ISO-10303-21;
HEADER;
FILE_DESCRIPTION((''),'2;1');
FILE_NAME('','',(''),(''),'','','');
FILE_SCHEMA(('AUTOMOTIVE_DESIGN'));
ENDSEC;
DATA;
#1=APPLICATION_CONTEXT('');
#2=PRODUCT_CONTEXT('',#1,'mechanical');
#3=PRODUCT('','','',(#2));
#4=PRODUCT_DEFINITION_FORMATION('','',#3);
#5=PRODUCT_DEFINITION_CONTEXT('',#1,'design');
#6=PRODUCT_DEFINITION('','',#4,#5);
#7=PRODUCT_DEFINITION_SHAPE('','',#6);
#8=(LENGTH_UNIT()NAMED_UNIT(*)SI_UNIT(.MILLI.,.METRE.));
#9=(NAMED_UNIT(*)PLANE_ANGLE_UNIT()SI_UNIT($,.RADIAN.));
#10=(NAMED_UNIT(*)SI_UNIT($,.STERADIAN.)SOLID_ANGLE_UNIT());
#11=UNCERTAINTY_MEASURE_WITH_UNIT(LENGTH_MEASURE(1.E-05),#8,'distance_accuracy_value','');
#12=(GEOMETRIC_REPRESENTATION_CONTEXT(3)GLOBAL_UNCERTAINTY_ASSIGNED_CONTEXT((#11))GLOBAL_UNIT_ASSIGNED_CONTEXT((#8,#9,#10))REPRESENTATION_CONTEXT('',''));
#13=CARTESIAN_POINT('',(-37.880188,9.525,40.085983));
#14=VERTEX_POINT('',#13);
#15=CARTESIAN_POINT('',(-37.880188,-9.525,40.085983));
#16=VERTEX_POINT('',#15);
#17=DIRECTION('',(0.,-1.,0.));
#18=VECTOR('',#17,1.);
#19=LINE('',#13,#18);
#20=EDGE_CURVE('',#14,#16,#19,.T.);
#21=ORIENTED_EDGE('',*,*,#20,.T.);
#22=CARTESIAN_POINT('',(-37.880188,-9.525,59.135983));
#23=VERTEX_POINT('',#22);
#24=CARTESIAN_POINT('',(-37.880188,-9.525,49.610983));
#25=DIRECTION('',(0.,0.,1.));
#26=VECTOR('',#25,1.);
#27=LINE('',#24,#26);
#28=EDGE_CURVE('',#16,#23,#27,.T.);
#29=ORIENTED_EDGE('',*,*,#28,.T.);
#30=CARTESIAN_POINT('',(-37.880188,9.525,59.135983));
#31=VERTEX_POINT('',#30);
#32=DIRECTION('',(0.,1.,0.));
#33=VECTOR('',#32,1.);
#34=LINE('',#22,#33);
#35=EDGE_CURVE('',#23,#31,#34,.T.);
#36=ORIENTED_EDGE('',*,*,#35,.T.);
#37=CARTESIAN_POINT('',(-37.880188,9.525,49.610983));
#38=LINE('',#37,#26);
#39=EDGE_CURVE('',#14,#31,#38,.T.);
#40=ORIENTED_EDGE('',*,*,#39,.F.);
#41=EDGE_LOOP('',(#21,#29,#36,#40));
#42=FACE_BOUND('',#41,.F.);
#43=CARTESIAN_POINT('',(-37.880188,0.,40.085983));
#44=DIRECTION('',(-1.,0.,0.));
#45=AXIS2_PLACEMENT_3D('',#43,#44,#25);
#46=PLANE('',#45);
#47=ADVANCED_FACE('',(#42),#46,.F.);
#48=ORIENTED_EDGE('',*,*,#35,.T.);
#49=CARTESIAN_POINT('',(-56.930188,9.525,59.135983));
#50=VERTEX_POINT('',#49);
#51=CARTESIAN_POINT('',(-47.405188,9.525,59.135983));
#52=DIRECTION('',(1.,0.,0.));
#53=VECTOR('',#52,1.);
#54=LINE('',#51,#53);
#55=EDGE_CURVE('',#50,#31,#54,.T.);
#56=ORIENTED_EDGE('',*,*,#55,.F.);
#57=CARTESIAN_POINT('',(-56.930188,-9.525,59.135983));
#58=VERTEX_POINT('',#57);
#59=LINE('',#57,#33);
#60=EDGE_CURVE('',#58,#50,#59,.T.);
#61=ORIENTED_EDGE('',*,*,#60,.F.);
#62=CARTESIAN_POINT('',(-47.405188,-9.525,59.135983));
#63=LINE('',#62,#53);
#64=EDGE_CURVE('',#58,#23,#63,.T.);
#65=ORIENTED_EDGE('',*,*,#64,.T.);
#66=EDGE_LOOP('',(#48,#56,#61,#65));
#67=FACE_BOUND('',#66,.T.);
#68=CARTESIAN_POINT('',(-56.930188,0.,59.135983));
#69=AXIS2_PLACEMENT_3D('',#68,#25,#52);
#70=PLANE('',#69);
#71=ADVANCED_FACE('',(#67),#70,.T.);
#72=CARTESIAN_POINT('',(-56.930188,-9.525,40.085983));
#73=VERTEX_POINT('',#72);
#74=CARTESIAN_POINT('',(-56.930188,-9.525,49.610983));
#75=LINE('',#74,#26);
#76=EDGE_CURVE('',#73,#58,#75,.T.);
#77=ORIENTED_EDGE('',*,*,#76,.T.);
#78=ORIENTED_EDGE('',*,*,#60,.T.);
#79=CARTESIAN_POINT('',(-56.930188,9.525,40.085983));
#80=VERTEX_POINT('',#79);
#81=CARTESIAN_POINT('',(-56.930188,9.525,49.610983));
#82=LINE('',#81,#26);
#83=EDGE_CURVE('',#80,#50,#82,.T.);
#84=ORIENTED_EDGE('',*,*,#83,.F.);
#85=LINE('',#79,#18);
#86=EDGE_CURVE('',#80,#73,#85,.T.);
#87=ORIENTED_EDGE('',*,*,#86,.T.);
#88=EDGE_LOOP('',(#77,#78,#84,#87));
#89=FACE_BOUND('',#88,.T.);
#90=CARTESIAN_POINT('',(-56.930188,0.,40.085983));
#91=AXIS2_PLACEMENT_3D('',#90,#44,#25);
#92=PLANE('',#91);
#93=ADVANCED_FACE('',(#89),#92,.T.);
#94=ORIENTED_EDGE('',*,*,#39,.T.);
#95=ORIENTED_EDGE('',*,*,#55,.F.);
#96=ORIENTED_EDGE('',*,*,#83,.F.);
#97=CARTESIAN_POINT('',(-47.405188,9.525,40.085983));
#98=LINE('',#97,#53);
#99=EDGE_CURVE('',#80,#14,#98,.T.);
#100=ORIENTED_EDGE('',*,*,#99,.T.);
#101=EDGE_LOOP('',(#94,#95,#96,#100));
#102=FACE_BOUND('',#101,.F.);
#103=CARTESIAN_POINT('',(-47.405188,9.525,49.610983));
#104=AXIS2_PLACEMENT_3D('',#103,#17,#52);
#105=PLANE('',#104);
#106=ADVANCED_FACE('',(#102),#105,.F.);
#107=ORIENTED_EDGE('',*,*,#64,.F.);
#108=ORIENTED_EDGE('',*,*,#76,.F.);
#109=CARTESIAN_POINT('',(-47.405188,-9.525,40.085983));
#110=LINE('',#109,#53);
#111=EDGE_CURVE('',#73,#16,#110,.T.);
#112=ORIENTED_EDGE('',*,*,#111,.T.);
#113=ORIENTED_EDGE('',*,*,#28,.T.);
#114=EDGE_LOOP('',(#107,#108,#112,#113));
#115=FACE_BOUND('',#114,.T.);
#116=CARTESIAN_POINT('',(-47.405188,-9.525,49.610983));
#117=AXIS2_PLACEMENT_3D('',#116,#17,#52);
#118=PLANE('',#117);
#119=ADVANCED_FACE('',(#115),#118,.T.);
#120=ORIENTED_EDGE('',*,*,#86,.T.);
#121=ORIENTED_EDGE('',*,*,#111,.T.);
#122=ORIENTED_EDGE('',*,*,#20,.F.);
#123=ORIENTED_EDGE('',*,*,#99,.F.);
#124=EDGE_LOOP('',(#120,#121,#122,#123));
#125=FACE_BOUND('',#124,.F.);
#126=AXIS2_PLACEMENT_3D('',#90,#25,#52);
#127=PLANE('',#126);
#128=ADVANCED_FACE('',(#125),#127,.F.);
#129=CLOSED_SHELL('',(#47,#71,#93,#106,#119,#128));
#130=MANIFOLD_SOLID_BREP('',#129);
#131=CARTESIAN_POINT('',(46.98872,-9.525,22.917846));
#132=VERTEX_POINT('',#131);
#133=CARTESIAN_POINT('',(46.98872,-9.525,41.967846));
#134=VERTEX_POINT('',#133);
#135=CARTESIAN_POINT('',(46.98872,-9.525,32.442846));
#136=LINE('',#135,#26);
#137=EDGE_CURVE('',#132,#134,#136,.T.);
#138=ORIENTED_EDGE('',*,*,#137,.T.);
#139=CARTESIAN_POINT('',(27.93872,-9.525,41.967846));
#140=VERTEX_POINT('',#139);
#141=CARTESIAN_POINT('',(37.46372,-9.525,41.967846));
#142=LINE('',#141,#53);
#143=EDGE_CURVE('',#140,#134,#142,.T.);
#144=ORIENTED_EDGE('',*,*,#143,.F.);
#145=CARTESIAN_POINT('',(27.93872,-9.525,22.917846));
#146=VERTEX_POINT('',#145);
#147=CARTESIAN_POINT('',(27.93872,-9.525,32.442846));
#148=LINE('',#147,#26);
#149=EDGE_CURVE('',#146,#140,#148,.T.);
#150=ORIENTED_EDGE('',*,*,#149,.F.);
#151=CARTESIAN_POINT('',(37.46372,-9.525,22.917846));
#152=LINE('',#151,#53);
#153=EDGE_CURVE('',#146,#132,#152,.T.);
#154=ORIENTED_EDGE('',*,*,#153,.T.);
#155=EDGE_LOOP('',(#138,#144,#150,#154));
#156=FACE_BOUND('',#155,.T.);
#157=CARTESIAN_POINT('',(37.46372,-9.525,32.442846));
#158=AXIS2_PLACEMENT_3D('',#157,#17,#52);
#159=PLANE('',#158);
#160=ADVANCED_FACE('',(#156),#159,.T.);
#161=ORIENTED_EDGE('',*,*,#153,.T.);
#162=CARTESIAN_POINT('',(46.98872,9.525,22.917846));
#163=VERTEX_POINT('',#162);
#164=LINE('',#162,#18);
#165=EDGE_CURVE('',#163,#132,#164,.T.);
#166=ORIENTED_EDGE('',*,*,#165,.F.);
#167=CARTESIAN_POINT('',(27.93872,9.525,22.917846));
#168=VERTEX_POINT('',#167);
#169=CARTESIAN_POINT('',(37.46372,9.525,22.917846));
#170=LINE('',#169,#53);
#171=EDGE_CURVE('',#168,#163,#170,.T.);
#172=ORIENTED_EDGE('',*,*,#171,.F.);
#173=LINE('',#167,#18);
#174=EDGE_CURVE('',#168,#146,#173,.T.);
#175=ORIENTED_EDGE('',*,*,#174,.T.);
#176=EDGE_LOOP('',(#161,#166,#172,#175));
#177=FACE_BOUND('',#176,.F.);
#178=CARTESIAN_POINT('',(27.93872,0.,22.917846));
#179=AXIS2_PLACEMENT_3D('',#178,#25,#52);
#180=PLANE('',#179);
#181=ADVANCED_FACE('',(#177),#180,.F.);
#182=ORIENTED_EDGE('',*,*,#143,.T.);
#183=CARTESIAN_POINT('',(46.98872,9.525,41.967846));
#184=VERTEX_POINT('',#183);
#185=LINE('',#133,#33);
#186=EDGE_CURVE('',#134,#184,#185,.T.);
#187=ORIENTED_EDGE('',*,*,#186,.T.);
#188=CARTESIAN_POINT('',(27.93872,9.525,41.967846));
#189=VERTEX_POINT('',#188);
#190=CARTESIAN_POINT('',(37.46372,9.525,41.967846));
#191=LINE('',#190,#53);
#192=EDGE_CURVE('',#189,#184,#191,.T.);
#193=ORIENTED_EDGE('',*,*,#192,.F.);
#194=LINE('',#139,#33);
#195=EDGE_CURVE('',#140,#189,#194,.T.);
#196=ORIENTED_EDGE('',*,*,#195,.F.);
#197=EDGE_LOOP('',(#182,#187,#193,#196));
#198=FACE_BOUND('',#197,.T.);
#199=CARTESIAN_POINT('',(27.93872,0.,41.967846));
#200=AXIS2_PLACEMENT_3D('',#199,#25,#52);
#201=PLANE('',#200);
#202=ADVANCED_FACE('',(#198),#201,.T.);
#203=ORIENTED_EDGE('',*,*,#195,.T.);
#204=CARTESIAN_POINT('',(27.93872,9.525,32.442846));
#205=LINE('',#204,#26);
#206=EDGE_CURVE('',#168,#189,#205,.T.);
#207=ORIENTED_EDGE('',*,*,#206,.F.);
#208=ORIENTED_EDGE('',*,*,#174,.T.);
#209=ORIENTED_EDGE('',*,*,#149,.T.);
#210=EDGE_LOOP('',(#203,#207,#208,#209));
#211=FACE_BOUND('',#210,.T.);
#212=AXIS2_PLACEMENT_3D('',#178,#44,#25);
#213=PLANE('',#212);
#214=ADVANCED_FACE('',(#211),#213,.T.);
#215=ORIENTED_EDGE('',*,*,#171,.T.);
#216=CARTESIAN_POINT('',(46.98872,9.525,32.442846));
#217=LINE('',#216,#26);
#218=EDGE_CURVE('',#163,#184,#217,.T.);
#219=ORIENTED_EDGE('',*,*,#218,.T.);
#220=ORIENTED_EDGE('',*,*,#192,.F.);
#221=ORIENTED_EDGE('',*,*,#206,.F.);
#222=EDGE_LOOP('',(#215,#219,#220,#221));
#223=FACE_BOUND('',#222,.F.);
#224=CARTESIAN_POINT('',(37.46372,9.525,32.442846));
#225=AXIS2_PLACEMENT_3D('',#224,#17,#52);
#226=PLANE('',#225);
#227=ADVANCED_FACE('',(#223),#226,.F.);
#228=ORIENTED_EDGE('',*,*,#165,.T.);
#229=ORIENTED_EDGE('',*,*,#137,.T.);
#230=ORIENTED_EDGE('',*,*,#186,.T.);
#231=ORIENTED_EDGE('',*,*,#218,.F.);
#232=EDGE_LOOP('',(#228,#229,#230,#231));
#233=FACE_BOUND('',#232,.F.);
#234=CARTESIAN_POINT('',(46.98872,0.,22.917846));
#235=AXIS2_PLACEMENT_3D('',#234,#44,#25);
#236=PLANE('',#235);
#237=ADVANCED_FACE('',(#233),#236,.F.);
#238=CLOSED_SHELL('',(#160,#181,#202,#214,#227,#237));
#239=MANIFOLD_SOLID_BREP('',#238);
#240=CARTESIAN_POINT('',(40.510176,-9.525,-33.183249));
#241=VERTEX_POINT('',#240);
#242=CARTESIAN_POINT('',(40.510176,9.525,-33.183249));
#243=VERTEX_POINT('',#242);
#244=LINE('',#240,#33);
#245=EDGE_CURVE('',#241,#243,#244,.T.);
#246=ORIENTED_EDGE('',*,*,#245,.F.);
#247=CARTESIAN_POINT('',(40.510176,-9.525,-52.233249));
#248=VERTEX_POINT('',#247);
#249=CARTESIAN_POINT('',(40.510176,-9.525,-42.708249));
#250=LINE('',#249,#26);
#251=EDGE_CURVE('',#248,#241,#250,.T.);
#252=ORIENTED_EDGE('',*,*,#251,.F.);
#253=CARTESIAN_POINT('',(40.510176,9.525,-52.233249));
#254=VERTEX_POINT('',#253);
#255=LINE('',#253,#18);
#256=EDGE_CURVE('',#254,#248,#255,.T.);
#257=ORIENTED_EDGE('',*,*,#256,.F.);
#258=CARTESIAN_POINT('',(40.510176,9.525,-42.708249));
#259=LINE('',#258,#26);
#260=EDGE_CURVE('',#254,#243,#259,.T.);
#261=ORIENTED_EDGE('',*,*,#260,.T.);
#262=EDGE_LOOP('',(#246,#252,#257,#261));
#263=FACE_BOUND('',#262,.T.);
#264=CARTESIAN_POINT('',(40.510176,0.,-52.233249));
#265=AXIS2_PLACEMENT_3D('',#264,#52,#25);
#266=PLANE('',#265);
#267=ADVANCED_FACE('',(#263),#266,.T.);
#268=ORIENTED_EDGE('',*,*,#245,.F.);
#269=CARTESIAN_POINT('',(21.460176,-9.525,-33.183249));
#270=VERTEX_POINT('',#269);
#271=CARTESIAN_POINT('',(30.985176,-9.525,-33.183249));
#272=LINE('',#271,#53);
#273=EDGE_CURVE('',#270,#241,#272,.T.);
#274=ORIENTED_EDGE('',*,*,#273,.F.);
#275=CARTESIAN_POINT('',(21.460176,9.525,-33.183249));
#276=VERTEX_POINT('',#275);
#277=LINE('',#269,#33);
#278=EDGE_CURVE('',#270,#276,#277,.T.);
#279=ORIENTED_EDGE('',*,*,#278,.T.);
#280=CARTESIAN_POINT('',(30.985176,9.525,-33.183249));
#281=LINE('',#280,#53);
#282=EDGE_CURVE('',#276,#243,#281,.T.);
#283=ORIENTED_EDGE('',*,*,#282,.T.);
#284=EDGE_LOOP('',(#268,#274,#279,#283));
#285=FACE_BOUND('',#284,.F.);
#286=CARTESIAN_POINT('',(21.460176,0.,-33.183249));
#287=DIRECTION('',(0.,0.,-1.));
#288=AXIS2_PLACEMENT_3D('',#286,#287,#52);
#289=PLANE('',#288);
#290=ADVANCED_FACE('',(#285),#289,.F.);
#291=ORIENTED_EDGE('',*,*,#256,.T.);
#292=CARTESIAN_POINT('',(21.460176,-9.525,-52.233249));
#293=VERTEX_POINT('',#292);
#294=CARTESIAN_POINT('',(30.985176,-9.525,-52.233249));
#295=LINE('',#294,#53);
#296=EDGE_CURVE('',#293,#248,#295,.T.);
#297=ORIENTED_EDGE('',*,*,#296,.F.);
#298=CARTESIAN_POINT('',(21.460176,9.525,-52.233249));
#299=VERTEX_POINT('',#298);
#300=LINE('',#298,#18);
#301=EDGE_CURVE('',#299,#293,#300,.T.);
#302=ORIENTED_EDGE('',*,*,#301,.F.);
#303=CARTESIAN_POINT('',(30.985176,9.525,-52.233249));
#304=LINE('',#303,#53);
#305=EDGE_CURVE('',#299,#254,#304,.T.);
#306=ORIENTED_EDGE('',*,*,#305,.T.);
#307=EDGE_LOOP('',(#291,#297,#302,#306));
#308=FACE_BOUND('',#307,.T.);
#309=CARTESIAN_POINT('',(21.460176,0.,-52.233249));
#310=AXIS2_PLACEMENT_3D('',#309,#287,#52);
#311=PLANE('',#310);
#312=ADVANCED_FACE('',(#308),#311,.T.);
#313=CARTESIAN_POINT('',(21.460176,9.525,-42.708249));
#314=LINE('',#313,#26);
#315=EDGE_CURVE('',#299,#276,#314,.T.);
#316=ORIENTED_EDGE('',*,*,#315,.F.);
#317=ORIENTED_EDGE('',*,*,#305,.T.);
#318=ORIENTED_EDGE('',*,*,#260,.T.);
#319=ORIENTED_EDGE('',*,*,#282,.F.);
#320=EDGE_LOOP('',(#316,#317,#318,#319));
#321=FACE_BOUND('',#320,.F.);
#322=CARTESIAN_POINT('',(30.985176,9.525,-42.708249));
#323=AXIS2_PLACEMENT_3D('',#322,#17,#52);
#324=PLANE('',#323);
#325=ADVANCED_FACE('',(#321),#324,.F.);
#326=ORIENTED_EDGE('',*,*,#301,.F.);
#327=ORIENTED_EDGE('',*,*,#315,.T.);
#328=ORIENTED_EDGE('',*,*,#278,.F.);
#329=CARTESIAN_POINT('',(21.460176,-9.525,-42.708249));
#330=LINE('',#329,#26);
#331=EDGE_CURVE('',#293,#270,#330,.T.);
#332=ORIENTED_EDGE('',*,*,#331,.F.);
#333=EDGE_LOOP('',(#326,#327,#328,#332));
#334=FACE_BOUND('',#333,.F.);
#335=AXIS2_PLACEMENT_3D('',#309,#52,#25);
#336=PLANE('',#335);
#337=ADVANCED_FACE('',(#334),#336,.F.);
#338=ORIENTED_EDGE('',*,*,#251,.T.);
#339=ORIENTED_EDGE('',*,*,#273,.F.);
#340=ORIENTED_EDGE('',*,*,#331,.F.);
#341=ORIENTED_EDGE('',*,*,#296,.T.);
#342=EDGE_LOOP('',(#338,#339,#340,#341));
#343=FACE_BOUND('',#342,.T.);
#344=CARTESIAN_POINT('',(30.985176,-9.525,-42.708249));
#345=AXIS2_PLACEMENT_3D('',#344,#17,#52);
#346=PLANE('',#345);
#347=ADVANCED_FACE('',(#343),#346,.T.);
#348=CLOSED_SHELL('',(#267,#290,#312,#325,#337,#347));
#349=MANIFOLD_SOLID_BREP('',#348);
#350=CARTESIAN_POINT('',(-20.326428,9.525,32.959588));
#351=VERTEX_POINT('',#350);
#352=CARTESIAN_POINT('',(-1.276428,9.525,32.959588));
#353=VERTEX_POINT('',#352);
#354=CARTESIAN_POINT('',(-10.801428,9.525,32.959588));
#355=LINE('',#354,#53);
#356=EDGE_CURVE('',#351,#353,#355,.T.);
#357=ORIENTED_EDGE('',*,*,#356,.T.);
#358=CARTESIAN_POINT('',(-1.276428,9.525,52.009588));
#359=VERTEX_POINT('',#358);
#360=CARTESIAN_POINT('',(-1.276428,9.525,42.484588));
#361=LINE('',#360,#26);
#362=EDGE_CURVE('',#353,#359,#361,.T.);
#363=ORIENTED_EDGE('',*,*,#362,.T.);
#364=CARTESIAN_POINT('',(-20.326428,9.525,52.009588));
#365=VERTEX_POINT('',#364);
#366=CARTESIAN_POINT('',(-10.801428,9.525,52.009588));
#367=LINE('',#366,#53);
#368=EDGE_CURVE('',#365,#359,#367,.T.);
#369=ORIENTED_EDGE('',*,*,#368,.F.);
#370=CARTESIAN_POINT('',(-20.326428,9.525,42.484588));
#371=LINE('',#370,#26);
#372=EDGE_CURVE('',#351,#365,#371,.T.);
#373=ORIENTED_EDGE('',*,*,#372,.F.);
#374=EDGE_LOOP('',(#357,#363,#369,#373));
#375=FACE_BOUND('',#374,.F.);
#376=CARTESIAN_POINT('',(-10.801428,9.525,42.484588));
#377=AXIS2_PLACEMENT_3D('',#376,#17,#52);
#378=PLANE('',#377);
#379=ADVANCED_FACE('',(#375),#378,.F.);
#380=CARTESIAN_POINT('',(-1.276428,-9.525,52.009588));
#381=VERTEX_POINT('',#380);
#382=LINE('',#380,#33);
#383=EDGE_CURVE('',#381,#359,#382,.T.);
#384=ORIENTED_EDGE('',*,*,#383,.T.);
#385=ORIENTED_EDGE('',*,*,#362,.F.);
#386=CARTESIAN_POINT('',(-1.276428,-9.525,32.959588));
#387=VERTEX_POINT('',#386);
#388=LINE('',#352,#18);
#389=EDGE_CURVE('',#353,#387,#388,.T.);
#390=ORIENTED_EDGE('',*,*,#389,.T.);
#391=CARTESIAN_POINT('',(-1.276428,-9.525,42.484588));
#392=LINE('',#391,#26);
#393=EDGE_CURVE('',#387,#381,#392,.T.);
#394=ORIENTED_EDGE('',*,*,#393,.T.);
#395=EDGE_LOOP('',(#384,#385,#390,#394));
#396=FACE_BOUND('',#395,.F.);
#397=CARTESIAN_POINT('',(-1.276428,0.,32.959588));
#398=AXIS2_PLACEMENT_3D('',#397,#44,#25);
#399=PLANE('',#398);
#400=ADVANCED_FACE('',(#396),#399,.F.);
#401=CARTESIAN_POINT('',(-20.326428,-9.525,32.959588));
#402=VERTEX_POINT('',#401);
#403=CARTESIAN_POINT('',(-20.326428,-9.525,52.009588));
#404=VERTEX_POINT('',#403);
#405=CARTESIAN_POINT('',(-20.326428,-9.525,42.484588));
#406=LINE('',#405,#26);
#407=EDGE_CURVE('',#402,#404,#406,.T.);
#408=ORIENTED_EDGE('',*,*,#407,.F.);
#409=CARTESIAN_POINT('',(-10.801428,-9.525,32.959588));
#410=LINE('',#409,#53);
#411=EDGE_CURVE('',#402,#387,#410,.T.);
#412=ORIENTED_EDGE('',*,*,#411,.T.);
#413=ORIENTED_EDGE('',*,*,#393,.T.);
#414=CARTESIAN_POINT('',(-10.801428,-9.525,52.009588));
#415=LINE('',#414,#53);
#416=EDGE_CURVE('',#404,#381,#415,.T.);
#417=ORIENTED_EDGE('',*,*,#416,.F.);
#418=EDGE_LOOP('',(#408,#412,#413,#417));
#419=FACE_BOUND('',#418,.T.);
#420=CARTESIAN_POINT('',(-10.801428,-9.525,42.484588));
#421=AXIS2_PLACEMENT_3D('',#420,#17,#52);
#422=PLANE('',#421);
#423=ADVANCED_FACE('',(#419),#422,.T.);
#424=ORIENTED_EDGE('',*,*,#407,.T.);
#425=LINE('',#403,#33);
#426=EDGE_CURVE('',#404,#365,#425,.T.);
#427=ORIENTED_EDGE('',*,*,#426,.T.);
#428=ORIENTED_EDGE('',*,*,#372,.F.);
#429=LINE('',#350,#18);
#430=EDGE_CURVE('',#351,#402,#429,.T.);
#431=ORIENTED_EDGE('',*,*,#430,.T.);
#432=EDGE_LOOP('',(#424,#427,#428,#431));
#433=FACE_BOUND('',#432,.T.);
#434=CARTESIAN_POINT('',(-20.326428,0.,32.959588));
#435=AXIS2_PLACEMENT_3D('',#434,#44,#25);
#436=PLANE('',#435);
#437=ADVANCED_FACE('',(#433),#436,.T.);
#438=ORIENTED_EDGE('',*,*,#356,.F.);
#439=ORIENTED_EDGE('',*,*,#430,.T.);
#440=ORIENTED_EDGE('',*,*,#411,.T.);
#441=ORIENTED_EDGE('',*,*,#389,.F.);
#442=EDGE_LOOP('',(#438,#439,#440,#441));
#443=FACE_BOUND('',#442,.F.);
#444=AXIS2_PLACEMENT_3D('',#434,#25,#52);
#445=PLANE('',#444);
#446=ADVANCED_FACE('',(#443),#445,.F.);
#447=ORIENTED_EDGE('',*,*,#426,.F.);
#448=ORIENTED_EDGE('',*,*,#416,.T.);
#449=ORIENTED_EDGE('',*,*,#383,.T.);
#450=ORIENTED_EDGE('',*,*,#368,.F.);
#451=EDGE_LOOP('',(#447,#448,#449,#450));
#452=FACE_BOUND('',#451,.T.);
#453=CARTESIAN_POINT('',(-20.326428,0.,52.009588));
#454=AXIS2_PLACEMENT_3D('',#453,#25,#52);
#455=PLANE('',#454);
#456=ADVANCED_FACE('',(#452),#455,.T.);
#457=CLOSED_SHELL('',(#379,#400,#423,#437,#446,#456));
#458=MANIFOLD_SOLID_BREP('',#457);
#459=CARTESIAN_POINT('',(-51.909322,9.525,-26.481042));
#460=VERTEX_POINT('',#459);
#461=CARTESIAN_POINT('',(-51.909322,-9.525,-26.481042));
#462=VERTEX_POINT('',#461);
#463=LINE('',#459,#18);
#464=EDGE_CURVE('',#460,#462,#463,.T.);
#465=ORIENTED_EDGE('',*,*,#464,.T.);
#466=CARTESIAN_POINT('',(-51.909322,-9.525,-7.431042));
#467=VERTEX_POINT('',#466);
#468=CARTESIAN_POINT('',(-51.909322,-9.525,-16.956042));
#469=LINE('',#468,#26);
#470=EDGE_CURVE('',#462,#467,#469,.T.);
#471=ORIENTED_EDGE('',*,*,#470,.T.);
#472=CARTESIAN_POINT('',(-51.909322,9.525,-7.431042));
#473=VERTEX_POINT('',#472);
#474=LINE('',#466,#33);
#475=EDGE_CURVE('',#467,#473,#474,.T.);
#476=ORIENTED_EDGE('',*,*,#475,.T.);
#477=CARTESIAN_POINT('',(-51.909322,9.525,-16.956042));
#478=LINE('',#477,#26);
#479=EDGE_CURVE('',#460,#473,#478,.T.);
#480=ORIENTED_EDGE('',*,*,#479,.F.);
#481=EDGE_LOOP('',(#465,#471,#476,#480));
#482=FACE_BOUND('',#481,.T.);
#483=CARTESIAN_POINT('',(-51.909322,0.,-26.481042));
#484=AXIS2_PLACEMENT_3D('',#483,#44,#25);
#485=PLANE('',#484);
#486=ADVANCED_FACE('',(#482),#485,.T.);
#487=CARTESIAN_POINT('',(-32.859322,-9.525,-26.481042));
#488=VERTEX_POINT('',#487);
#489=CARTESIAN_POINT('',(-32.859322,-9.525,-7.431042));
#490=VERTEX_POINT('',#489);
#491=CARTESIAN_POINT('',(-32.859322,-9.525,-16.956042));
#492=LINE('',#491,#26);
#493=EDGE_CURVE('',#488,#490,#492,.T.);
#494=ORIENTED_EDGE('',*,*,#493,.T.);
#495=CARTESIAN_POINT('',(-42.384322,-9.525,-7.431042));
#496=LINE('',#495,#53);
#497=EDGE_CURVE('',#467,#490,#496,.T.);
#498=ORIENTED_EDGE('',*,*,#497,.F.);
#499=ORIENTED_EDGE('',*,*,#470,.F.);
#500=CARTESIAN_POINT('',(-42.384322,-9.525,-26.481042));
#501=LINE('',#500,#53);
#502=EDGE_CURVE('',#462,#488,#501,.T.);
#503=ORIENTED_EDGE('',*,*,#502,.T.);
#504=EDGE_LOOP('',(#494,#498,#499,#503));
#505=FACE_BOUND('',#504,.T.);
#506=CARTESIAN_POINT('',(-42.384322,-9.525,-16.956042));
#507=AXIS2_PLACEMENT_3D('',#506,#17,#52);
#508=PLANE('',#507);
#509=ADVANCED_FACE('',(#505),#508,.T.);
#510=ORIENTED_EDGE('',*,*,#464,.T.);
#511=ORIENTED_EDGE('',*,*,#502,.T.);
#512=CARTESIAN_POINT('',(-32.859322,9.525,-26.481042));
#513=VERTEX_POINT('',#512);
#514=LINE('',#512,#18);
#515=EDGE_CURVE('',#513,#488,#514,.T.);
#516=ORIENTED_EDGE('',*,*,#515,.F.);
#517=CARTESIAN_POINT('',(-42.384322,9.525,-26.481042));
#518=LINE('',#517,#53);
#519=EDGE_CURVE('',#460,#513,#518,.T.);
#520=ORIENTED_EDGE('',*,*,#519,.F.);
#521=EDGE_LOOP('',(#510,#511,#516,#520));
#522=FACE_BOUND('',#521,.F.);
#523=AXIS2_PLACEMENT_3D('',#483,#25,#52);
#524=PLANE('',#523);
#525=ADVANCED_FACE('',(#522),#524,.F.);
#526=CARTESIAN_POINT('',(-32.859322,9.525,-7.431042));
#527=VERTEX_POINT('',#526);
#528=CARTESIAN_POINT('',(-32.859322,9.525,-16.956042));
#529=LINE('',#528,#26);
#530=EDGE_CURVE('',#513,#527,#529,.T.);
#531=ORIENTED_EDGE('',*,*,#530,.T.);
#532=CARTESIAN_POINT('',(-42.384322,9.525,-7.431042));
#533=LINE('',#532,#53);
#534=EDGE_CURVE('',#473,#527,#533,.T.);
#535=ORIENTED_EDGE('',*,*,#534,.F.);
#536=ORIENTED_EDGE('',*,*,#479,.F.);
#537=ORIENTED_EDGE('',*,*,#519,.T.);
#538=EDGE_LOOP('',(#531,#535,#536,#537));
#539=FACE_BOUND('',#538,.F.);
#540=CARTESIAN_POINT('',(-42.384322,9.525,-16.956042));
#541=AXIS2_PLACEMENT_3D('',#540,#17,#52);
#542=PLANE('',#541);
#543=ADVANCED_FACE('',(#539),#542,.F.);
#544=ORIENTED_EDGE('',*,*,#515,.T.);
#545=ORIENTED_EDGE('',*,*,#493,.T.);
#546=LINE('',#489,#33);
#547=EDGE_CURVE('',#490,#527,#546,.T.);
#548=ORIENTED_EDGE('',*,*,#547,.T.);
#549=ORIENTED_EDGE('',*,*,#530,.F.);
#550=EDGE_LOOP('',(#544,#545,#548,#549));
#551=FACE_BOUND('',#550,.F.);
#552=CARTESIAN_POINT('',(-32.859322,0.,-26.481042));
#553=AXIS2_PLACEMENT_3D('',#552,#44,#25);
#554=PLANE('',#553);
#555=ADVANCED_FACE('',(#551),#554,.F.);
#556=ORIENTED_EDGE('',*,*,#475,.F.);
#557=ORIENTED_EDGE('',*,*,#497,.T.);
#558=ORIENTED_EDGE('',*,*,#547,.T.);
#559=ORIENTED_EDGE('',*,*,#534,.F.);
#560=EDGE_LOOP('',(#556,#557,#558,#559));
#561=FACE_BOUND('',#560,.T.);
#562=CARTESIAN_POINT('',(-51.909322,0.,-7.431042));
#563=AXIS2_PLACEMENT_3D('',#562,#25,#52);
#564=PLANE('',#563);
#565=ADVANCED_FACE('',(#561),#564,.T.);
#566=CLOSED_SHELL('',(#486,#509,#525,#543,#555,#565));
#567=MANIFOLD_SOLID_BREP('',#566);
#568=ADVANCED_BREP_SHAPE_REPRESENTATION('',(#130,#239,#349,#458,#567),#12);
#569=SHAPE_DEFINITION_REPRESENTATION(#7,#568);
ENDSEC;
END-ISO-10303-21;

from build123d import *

# Parameters (mm, degrees)
F0_W     = 19.05
F0_H     = 19.05
F1_DEPTH = 9.525


with BuildPart() as f1:
    # F0 (on Front) → F1 (new body, symmetric)
    with BuildSketch(Plane.XZ):
        with Locations((-47.405188, 49.610983)):
            Rectangle(F0_W, F0_H)
        with Locations((-10.801428, 42.484588)):
            Rectangle(F0_W, F0_H)
        with Locations((37.46372, 32.442846)):
            Rectangle(F0_W, F0_H)
        with Locations((-42.384322, -16.956042)):
            Rectangle(F0_W, F0_H)
        with Locations((30.985176, -42.708249)):
            Rectangle(F0_W, F0_H)
    extrude(amount=F1_DEPTH, both=True)


solid = f1.part
